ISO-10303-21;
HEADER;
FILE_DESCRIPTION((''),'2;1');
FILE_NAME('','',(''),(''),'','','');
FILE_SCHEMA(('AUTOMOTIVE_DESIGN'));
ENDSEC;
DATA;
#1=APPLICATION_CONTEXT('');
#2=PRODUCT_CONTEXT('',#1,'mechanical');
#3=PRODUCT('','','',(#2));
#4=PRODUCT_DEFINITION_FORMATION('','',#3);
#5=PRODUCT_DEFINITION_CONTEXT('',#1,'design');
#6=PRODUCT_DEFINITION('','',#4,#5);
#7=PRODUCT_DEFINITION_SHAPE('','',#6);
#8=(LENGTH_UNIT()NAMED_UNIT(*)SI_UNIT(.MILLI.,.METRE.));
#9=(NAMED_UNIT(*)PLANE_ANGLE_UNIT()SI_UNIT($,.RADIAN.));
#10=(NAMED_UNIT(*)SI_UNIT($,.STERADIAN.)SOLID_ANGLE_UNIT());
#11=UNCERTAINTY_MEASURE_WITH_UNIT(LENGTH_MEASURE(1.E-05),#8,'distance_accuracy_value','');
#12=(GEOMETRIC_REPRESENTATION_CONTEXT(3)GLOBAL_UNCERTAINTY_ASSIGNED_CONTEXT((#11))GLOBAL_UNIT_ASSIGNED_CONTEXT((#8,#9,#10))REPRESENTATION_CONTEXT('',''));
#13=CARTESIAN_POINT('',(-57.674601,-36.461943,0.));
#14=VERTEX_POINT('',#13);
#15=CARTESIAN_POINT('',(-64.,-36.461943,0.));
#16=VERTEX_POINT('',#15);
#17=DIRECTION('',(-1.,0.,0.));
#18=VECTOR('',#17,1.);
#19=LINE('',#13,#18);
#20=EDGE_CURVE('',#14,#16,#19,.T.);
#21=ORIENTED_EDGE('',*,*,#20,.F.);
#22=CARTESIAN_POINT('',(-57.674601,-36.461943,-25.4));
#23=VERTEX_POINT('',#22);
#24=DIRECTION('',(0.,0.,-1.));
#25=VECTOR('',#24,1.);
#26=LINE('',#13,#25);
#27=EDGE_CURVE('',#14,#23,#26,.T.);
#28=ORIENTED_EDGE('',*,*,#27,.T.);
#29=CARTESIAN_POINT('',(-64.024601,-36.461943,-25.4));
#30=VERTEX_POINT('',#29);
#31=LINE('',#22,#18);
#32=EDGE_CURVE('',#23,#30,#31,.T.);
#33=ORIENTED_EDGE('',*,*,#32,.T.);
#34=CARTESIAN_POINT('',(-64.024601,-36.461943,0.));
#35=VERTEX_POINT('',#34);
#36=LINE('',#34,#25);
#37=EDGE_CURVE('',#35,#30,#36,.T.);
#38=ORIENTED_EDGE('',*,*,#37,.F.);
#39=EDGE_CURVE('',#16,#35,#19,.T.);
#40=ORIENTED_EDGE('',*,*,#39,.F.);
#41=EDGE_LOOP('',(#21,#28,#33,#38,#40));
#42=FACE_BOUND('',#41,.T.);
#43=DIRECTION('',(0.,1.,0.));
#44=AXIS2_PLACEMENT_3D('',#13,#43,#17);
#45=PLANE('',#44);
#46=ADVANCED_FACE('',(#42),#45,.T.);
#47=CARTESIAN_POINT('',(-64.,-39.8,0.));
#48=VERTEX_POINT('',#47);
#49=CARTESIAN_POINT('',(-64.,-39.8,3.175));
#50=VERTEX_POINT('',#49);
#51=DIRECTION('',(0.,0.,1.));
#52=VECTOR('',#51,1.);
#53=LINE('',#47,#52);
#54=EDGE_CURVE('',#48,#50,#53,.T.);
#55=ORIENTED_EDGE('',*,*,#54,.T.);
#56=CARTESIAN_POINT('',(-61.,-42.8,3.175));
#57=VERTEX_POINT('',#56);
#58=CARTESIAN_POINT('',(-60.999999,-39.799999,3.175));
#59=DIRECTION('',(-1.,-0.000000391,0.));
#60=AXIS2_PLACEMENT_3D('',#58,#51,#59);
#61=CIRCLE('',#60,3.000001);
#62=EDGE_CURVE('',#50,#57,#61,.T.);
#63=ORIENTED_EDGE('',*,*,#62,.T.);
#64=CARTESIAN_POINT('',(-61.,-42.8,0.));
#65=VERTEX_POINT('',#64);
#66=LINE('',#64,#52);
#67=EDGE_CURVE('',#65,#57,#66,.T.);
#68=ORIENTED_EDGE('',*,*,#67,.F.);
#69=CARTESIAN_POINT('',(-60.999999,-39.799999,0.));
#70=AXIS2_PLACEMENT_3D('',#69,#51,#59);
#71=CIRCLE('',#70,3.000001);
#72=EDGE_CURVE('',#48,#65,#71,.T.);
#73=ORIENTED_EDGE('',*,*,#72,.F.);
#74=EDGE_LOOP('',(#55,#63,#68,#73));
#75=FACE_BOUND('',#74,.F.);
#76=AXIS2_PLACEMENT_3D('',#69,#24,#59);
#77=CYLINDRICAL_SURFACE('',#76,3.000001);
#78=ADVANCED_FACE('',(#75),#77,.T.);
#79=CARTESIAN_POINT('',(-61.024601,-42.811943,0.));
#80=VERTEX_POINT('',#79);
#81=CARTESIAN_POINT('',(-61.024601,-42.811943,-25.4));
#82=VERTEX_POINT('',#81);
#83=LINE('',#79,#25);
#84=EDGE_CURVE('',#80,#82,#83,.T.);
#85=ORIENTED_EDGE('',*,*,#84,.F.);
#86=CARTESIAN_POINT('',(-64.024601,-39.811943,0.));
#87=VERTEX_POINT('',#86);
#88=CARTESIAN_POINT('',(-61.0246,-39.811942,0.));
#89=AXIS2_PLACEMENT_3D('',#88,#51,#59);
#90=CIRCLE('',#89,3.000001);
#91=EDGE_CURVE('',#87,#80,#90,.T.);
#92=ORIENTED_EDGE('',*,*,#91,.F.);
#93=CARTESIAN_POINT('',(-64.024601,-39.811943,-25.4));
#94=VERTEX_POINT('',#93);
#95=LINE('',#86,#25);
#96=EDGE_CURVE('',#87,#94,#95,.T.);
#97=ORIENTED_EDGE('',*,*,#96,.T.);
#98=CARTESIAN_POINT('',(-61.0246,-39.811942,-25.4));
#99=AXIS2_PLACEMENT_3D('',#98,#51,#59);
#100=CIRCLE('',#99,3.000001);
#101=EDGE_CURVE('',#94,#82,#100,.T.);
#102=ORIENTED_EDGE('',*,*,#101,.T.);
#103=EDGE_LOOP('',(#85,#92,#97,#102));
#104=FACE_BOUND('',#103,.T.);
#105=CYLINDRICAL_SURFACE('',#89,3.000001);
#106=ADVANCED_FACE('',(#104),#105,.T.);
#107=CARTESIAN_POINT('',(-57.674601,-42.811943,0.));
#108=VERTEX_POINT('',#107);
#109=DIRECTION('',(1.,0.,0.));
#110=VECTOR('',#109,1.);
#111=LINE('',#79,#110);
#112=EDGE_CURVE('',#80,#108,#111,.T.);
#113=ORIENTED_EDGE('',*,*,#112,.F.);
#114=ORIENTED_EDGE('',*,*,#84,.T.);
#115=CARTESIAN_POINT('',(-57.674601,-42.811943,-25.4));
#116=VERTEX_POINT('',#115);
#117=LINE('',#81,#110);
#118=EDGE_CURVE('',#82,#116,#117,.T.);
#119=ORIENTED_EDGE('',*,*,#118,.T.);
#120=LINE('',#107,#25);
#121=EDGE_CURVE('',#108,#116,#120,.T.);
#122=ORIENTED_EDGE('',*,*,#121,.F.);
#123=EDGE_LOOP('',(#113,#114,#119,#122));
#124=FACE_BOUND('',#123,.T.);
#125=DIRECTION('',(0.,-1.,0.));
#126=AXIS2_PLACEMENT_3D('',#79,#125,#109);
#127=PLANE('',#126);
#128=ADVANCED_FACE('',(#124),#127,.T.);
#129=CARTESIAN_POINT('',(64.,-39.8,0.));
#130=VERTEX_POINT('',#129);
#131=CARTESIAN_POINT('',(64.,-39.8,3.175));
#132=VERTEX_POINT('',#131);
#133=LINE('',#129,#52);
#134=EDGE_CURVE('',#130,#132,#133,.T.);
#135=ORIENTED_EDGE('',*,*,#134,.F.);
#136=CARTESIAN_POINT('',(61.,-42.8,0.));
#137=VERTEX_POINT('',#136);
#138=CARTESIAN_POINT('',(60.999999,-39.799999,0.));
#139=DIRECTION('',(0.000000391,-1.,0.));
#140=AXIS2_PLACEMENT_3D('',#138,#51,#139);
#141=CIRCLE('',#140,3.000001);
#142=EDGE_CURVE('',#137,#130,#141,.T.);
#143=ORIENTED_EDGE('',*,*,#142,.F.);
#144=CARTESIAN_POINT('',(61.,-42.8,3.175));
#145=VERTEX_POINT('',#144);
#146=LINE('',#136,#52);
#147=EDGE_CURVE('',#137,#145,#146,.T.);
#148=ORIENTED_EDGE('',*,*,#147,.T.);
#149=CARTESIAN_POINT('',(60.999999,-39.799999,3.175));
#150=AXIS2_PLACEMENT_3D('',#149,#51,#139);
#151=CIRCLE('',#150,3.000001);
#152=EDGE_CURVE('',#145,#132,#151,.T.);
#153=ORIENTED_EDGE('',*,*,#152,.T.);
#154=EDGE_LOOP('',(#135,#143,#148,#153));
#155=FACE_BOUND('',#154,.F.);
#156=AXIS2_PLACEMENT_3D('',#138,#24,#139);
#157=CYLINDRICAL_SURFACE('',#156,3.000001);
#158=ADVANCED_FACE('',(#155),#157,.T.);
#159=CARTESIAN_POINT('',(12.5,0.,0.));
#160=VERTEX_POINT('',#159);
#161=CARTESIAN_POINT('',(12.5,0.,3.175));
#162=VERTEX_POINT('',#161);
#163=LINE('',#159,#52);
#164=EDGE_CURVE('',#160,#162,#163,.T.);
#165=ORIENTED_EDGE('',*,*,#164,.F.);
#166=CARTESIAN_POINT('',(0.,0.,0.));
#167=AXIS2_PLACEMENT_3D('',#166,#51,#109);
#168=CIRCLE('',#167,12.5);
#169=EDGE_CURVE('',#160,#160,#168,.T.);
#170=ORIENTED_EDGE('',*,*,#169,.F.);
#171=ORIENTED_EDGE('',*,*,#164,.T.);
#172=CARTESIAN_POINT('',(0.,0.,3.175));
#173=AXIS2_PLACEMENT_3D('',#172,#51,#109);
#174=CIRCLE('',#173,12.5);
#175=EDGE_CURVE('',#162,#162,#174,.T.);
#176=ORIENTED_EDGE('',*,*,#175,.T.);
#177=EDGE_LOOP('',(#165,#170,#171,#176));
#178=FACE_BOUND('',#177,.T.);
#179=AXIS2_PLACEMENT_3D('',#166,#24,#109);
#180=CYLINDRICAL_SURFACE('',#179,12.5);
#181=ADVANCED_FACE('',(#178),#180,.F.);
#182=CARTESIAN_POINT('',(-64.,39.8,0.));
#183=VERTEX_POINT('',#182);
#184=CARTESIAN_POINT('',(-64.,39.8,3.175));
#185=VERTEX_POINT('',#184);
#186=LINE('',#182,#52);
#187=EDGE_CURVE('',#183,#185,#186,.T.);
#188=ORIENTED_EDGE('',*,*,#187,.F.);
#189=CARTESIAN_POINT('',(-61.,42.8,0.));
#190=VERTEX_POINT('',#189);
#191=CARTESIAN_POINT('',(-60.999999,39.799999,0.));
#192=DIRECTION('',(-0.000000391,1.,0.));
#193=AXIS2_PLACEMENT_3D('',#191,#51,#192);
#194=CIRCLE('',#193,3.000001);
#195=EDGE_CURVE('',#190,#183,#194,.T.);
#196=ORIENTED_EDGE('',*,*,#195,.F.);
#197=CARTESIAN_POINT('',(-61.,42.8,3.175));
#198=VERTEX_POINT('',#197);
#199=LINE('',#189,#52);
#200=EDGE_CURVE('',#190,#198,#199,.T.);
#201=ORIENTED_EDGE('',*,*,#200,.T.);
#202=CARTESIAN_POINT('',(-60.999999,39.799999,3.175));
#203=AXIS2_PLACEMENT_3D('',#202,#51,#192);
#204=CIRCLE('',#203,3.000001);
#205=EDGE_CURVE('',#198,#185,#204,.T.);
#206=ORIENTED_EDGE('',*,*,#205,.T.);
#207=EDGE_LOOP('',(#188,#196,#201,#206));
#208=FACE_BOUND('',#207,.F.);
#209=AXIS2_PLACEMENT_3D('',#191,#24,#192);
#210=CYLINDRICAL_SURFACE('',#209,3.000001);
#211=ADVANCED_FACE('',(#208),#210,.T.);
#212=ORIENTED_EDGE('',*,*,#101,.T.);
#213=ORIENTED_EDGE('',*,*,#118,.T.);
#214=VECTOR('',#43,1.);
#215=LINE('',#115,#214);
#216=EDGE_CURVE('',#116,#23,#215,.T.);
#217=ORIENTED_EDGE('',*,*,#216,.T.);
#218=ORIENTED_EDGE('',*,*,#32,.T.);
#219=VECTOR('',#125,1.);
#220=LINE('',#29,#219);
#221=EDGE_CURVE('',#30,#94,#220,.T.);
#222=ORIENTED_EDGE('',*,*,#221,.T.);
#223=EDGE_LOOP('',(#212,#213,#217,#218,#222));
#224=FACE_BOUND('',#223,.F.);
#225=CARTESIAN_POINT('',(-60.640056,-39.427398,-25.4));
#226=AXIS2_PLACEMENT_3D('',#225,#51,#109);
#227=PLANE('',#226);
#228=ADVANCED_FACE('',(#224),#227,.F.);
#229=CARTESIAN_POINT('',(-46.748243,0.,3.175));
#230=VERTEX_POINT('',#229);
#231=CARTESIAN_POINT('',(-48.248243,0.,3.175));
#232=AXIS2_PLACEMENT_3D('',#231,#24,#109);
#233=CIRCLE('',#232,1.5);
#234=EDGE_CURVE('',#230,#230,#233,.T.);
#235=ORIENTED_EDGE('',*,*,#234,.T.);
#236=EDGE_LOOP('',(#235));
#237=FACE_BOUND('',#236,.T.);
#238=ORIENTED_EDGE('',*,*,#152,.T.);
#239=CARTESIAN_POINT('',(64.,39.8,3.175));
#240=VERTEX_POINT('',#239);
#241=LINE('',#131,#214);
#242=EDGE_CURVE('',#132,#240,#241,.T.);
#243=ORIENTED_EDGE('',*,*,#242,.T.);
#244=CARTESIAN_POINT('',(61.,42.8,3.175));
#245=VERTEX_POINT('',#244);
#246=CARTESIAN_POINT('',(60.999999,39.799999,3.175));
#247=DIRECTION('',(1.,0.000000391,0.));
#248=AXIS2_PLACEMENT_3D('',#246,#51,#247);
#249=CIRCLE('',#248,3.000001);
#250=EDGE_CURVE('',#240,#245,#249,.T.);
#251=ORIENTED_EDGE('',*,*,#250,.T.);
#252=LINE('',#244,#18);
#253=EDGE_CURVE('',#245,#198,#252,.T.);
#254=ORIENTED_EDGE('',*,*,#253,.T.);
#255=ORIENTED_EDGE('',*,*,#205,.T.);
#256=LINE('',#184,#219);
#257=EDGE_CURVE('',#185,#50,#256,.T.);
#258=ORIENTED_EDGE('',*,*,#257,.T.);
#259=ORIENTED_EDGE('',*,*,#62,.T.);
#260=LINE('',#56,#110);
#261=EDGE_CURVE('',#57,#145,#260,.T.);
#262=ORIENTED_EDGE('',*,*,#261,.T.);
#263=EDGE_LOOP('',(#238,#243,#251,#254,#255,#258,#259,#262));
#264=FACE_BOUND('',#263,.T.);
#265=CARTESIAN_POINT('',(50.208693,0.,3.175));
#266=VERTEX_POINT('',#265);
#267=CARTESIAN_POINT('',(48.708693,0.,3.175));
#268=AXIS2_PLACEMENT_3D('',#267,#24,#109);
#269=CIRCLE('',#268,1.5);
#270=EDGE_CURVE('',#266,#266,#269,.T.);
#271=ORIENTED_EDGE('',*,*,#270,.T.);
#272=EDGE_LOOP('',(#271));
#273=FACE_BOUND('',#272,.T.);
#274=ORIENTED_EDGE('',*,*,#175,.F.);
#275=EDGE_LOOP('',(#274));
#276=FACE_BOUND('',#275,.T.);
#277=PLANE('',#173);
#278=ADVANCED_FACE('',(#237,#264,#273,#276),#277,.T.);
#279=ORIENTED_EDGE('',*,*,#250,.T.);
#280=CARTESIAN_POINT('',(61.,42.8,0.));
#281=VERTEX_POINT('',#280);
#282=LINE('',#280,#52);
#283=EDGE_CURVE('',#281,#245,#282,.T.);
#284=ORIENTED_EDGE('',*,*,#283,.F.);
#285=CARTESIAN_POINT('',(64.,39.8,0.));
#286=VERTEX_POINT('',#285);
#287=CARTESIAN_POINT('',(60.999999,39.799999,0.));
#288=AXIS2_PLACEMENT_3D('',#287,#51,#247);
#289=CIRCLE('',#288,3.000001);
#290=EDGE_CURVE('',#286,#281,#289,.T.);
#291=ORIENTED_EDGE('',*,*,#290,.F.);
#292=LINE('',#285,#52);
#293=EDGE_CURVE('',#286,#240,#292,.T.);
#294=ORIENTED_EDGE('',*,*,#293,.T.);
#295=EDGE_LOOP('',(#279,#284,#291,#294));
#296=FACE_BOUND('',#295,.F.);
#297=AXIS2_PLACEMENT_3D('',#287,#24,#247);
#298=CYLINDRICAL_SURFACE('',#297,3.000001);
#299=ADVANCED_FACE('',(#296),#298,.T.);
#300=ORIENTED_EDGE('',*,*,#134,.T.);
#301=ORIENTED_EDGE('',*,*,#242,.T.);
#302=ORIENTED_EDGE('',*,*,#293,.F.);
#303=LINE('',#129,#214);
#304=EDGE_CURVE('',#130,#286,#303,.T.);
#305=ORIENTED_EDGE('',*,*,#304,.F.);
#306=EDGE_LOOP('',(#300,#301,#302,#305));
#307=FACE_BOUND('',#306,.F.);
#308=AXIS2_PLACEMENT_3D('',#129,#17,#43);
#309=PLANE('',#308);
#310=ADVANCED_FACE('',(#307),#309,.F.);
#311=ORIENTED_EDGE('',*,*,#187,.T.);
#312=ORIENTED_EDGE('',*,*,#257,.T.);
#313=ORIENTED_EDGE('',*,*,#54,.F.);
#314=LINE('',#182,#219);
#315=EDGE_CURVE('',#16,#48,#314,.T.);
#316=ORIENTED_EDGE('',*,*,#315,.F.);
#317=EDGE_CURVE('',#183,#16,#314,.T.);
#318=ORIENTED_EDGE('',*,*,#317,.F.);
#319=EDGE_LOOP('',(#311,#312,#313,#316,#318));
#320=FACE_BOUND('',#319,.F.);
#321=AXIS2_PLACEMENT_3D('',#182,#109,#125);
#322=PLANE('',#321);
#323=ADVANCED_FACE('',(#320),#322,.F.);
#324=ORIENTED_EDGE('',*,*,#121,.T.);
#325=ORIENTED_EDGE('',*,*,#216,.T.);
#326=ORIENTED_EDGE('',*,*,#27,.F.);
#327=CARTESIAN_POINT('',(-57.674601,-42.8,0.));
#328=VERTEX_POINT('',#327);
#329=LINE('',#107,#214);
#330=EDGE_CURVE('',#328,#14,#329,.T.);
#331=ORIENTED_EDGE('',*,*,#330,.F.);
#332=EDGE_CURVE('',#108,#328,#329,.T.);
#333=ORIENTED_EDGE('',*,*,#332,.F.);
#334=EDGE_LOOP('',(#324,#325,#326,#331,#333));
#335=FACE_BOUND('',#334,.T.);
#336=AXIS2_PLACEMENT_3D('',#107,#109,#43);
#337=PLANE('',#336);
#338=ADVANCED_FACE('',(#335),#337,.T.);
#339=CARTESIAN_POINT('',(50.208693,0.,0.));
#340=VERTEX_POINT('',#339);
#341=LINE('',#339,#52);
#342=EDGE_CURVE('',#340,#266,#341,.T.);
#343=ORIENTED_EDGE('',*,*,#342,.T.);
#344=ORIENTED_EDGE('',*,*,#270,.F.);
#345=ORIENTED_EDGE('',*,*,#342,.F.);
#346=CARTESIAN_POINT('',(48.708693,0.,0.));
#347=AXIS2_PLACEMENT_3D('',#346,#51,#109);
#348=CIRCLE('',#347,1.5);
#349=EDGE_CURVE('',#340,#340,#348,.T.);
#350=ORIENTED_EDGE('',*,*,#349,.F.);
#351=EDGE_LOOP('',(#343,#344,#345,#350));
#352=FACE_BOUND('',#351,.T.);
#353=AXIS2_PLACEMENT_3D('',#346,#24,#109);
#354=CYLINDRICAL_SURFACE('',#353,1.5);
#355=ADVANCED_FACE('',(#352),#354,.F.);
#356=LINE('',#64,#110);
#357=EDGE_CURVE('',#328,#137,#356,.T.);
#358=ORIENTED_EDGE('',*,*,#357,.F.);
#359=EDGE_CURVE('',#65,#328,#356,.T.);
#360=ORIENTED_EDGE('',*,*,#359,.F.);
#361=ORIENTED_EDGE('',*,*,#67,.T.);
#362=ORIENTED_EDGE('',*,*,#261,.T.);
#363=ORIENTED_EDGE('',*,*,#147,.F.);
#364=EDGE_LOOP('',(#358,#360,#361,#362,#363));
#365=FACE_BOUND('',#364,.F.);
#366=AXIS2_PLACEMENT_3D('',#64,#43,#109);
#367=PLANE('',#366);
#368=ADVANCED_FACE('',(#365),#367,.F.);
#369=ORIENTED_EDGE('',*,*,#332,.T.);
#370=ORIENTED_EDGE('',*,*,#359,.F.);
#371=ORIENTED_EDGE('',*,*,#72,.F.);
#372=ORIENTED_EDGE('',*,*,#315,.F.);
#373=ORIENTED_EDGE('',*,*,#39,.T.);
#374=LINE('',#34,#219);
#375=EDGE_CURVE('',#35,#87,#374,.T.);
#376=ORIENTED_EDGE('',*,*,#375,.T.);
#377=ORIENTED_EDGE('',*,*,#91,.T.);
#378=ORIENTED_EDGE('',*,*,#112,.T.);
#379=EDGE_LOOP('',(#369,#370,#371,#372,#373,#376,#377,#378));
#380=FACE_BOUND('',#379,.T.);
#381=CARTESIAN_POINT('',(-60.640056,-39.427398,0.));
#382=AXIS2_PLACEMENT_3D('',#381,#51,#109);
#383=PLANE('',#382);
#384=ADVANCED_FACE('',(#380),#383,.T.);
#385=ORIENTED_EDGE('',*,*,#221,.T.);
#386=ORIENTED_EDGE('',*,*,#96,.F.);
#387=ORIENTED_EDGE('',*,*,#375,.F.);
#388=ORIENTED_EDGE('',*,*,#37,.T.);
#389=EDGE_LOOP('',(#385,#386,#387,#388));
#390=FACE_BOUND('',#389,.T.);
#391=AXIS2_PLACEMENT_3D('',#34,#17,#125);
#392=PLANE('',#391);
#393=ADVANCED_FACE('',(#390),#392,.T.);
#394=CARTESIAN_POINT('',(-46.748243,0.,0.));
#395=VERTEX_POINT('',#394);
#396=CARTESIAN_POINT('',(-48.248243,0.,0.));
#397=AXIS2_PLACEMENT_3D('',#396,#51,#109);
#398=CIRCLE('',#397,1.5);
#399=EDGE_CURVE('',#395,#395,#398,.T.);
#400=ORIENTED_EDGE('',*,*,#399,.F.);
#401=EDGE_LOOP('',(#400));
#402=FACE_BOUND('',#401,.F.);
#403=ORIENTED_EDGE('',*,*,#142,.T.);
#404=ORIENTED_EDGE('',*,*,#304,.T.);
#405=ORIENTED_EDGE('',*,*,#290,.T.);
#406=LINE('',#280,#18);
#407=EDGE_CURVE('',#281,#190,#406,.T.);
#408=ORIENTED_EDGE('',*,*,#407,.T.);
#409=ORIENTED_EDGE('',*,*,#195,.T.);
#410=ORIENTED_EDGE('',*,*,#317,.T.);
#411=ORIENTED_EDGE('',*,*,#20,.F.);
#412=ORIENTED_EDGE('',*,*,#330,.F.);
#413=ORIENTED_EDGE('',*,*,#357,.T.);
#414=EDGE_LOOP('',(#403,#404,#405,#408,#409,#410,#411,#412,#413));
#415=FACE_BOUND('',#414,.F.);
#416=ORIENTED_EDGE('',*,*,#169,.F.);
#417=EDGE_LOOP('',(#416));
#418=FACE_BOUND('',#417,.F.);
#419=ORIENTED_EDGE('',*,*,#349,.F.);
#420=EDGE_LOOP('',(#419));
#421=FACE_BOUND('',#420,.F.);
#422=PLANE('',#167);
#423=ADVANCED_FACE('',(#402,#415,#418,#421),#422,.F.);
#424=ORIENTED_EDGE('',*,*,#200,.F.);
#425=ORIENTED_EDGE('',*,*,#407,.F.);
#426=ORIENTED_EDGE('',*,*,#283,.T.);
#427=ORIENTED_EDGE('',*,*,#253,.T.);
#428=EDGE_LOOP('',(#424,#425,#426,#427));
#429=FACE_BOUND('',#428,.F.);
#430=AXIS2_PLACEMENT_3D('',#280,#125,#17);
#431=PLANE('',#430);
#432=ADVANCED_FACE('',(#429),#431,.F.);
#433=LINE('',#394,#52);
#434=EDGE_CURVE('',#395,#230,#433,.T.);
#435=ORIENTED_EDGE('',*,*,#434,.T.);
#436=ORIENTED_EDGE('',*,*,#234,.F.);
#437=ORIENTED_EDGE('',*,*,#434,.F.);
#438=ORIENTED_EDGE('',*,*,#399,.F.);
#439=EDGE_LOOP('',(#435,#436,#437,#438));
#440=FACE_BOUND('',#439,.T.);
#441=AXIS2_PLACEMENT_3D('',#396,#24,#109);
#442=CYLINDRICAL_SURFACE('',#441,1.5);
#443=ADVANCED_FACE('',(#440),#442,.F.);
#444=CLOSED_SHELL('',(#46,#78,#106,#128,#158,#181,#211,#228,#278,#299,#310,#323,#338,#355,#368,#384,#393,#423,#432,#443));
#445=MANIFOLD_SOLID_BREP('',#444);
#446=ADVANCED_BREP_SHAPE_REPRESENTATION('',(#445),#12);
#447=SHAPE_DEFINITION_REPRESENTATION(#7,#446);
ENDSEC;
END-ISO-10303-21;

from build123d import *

# Parameters (mm, degrees)
F0_R     = 12.5
F1_DEPTH = 3.175
F3_DEPTH = 25.4
F4_R     = 1.5
F5_DEPTH = 25


with BuildPart() as f1:
    # F0 (on Top) → F1 (new body)
    with BuildSketch(Plane.XY):
        with BuildLine():
            Line((61, 42.8), (-61, 42.8))
            ThreePointArc((-61, 42.8), (-63.12132, 41.92132), (-64, 39.8))
            Line((-64, 39.8), (-64, -39.8))
            ThreePointArc((-64, -39.8), (-63.12132, -41.92132), (-61, -42.8))
            Line((-61, -42.8), (61, -42.8))
            ThreePointArc((61, -42.8), (63.12132, -41.92132), (64, -39.8))
            Line((64, -39.8), (64, 39.8))
            ThreePointArc((64, 39.8), (63.12132, 41.92132), (61, 42.8))
        make_face()
        Circle(F0_R, mode=Mode.SUBTRACT)
    extrude(amount=F1_DEPTH)

    # F2 (on Top) → F3 (join)
    with BuildSketch(Plane.XY):
        with BuildLine():
            Line((-57.674601, -36.461943), (-64.024601, -36.461943))
            Line((-64.024601, -36.461943), (-64.024601, -39.811943))
            ThreePointArc((-64.024601, -39.811943), (-63.145921, -41.933263), (-61.024601, -42.811943))
            Line((-61.024601, -42.811943), (-57.674601, -42.811943))
            Line((-57.674601, -42.811943), (-57.674601, -36.461943))
        make_face()
    extrude(amount=-F3_DEPTH)

    # F4 (on Top) → F5 (cut)
    with BuildSketch(Plane.XY):
        with Locations((-48.248243, 0)):
            Circle(F4_R)
        with Locations((48.708693, 0)):
            Circle(F4_R)
    extrude(amount=F5_DEPTH, mode=Mode.SUBTRACT)


solid = f1.part
